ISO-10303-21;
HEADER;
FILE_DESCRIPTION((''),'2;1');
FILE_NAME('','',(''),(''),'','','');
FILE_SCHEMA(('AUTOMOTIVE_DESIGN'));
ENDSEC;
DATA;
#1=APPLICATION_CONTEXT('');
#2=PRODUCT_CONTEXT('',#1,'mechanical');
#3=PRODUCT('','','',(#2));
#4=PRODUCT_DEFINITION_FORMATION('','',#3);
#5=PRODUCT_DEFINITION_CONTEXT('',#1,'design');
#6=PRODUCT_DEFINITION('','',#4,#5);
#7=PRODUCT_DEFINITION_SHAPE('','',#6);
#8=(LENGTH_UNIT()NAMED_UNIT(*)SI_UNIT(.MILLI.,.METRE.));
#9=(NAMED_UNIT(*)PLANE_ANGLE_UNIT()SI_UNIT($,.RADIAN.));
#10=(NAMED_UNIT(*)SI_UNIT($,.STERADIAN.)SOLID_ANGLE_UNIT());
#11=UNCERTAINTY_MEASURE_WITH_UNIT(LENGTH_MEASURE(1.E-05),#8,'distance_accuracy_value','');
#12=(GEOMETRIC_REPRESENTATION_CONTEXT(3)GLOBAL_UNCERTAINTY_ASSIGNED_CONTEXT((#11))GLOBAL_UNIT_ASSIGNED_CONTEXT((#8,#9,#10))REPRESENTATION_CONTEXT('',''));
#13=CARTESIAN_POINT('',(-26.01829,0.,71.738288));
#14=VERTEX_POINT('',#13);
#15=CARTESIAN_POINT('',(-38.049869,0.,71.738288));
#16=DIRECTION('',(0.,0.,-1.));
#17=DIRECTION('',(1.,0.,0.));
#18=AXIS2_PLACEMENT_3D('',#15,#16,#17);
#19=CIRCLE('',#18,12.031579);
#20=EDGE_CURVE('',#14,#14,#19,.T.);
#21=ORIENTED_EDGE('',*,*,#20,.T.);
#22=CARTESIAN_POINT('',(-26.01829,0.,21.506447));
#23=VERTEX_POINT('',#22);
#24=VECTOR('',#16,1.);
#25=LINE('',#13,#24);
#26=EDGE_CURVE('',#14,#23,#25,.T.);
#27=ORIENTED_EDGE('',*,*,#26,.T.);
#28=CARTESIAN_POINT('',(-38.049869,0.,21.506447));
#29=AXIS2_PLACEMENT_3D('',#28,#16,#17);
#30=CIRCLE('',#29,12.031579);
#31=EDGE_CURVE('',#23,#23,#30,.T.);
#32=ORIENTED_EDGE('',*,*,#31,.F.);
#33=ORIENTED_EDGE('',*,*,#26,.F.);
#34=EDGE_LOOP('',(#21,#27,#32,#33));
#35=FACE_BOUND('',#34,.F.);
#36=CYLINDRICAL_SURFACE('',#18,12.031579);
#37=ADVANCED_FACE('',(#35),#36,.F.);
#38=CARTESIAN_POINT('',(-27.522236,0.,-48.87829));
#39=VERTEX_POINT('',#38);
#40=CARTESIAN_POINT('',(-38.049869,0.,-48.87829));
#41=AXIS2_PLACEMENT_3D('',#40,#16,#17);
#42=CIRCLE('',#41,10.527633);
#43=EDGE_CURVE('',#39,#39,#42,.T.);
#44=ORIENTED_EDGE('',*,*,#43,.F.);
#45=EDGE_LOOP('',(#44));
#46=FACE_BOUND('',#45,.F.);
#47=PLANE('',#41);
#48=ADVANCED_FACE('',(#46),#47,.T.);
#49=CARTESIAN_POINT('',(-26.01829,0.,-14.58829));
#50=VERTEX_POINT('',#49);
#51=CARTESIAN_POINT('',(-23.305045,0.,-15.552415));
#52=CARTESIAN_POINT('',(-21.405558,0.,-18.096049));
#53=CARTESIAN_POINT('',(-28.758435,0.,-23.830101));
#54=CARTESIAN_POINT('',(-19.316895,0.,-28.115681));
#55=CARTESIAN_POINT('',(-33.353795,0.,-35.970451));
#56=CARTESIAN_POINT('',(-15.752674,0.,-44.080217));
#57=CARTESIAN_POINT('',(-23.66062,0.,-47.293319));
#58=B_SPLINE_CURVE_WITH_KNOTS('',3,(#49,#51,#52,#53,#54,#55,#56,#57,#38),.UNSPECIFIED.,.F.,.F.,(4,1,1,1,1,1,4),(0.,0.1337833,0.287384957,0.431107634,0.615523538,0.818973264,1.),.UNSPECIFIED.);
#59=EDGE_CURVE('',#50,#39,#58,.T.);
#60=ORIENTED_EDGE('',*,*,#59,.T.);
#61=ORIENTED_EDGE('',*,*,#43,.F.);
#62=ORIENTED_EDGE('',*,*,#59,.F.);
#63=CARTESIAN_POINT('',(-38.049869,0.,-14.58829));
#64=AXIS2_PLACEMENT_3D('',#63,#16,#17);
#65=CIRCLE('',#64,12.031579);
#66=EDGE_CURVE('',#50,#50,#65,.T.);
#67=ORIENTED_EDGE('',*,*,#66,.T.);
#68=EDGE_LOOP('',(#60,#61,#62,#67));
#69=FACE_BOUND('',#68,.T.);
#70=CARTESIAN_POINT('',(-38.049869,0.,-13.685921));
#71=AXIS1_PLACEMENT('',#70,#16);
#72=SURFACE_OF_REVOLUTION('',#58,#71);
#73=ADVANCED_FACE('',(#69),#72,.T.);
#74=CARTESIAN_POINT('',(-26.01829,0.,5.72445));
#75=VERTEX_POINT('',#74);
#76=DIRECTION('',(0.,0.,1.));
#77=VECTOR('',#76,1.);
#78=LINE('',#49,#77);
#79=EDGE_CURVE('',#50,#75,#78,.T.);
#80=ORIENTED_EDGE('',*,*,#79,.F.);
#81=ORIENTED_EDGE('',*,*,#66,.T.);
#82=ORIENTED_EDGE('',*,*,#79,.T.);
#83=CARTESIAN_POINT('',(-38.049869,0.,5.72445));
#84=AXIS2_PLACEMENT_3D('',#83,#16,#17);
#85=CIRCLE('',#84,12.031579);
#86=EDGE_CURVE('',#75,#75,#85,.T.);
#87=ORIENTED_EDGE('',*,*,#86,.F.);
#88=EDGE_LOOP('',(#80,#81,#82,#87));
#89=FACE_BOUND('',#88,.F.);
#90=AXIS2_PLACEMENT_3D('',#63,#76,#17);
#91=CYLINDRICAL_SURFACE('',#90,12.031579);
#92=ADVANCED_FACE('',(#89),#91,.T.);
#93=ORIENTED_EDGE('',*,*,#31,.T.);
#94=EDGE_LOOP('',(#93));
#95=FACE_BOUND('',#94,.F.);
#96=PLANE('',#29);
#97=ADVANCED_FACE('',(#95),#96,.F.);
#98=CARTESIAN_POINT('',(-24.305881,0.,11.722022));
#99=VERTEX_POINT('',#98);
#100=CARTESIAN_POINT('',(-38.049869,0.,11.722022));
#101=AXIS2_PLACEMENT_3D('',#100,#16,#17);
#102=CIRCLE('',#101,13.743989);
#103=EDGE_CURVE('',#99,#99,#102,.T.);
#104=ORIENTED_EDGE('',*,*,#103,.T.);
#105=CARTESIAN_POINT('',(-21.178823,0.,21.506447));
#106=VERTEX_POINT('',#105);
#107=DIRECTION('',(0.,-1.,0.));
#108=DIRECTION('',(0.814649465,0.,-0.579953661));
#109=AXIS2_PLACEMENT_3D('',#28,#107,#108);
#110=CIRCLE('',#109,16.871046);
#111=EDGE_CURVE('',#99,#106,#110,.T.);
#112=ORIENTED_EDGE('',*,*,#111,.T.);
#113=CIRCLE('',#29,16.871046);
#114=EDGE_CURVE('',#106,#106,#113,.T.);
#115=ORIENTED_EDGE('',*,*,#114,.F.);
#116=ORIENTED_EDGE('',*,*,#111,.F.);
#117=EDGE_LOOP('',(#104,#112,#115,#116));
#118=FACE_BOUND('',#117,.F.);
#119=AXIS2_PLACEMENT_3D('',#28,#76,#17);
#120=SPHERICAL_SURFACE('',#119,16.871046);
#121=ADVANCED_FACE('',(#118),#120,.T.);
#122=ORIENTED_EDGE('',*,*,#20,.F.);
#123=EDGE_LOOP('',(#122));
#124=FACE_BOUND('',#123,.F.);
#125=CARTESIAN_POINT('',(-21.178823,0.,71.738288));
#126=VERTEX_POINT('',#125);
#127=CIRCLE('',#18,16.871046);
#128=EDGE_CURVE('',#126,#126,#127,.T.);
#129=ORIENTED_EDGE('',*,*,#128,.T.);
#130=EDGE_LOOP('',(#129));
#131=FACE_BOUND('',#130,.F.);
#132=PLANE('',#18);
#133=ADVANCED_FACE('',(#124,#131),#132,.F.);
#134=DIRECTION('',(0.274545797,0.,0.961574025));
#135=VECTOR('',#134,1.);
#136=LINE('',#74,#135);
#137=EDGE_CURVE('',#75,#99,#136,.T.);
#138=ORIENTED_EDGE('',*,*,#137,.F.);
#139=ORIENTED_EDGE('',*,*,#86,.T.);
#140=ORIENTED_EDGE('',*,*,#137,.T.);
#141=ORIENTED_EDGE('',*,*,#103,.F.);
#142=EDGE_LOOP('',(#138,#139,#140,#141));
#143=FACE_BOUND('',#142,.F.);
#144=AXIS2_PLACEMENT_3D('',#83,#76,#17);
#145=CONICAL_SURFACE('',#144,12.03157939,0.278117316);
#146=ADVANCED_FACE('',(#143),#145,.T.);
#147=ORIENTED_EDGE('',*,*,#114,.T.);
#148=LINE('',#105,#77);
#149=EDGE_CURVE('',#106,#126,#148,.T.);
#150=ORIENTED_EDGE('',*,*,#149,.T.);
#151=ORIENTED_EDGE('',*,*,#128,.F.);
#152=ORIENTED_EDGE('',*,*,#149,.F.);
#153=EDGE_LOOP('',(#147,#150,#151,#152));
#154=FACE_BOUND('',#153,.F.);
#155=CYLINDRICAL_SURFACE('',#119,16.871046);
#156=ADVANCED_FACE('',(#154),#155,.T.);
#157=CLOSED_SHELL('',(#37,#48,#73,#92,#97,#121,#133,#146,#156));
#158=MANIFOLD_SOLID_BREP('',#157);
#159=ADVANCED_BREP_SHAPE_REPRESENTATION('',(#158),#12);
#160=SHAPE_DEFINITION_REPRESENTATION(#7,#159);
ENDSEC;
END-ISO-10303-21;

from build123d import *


with BuildPart() as f1:
    # F0 (on Front) → F1 (revolve)
    with BuildSketch(Plane.XZ):
        with BuildLine():
            Line((-26.0182898492, 5.7244500987), (-24.3058805849, 11.7220224141))
            ThreePointArc((-24.3058805849, 11.7220224141), (-21.979591378, 16.3704601156), (-21.1788231733, 21.506447345))
            Line((-21.1788231733, 21.506447345), (-21.1788231733, 71.7382878065))
            Line((-21.1788231733, 71.7382878065), (-26.0182898492, 71.7382878065))
            Line((-26.0182898492, 71.7382878065), (-26.0182898492, 21.506447345))
            Line((-26.0182898492, 21.506447345), (-38.0498692393, 21.506447345))
            Line((-38.0498692393, 21.506447345), (-38.0498692393, -48.8782897592))
            Line((-38.0498692393, -48.8782897592), (-27.5222361088, -48.8782897592))
            add(Edge.make_bspline(
                [(-26.0182898492, -14.5882898942), (-23.305044616, -15.5524146318), (-21.4055576786, -18.0960485839), (-28.7584352596, -23.8301011929), (-19.316895301, -28.1156810521), (-33.3537949524, -35.970450647), (-15.7526736038, -44.0802165493), (-23.6606204493, -47.2933194957), (-27.5222361088, -48.8782897592)],
                knots=[0, 0, 0, 0, 0.1337832997, 0.2873849573, 0.4311076344, 0.6155235378, 0.8189732636, 1, 1, 1, 1], degree=3))
            Line((-26.0182898492, -14.5882898942), (-26.0182898492, 5.7244500987))
        make_face()
    revolve(axis=Axis((-38.0498692393, 0, -13.6859212071), (0, 0, -1)))


solid = f1.part
